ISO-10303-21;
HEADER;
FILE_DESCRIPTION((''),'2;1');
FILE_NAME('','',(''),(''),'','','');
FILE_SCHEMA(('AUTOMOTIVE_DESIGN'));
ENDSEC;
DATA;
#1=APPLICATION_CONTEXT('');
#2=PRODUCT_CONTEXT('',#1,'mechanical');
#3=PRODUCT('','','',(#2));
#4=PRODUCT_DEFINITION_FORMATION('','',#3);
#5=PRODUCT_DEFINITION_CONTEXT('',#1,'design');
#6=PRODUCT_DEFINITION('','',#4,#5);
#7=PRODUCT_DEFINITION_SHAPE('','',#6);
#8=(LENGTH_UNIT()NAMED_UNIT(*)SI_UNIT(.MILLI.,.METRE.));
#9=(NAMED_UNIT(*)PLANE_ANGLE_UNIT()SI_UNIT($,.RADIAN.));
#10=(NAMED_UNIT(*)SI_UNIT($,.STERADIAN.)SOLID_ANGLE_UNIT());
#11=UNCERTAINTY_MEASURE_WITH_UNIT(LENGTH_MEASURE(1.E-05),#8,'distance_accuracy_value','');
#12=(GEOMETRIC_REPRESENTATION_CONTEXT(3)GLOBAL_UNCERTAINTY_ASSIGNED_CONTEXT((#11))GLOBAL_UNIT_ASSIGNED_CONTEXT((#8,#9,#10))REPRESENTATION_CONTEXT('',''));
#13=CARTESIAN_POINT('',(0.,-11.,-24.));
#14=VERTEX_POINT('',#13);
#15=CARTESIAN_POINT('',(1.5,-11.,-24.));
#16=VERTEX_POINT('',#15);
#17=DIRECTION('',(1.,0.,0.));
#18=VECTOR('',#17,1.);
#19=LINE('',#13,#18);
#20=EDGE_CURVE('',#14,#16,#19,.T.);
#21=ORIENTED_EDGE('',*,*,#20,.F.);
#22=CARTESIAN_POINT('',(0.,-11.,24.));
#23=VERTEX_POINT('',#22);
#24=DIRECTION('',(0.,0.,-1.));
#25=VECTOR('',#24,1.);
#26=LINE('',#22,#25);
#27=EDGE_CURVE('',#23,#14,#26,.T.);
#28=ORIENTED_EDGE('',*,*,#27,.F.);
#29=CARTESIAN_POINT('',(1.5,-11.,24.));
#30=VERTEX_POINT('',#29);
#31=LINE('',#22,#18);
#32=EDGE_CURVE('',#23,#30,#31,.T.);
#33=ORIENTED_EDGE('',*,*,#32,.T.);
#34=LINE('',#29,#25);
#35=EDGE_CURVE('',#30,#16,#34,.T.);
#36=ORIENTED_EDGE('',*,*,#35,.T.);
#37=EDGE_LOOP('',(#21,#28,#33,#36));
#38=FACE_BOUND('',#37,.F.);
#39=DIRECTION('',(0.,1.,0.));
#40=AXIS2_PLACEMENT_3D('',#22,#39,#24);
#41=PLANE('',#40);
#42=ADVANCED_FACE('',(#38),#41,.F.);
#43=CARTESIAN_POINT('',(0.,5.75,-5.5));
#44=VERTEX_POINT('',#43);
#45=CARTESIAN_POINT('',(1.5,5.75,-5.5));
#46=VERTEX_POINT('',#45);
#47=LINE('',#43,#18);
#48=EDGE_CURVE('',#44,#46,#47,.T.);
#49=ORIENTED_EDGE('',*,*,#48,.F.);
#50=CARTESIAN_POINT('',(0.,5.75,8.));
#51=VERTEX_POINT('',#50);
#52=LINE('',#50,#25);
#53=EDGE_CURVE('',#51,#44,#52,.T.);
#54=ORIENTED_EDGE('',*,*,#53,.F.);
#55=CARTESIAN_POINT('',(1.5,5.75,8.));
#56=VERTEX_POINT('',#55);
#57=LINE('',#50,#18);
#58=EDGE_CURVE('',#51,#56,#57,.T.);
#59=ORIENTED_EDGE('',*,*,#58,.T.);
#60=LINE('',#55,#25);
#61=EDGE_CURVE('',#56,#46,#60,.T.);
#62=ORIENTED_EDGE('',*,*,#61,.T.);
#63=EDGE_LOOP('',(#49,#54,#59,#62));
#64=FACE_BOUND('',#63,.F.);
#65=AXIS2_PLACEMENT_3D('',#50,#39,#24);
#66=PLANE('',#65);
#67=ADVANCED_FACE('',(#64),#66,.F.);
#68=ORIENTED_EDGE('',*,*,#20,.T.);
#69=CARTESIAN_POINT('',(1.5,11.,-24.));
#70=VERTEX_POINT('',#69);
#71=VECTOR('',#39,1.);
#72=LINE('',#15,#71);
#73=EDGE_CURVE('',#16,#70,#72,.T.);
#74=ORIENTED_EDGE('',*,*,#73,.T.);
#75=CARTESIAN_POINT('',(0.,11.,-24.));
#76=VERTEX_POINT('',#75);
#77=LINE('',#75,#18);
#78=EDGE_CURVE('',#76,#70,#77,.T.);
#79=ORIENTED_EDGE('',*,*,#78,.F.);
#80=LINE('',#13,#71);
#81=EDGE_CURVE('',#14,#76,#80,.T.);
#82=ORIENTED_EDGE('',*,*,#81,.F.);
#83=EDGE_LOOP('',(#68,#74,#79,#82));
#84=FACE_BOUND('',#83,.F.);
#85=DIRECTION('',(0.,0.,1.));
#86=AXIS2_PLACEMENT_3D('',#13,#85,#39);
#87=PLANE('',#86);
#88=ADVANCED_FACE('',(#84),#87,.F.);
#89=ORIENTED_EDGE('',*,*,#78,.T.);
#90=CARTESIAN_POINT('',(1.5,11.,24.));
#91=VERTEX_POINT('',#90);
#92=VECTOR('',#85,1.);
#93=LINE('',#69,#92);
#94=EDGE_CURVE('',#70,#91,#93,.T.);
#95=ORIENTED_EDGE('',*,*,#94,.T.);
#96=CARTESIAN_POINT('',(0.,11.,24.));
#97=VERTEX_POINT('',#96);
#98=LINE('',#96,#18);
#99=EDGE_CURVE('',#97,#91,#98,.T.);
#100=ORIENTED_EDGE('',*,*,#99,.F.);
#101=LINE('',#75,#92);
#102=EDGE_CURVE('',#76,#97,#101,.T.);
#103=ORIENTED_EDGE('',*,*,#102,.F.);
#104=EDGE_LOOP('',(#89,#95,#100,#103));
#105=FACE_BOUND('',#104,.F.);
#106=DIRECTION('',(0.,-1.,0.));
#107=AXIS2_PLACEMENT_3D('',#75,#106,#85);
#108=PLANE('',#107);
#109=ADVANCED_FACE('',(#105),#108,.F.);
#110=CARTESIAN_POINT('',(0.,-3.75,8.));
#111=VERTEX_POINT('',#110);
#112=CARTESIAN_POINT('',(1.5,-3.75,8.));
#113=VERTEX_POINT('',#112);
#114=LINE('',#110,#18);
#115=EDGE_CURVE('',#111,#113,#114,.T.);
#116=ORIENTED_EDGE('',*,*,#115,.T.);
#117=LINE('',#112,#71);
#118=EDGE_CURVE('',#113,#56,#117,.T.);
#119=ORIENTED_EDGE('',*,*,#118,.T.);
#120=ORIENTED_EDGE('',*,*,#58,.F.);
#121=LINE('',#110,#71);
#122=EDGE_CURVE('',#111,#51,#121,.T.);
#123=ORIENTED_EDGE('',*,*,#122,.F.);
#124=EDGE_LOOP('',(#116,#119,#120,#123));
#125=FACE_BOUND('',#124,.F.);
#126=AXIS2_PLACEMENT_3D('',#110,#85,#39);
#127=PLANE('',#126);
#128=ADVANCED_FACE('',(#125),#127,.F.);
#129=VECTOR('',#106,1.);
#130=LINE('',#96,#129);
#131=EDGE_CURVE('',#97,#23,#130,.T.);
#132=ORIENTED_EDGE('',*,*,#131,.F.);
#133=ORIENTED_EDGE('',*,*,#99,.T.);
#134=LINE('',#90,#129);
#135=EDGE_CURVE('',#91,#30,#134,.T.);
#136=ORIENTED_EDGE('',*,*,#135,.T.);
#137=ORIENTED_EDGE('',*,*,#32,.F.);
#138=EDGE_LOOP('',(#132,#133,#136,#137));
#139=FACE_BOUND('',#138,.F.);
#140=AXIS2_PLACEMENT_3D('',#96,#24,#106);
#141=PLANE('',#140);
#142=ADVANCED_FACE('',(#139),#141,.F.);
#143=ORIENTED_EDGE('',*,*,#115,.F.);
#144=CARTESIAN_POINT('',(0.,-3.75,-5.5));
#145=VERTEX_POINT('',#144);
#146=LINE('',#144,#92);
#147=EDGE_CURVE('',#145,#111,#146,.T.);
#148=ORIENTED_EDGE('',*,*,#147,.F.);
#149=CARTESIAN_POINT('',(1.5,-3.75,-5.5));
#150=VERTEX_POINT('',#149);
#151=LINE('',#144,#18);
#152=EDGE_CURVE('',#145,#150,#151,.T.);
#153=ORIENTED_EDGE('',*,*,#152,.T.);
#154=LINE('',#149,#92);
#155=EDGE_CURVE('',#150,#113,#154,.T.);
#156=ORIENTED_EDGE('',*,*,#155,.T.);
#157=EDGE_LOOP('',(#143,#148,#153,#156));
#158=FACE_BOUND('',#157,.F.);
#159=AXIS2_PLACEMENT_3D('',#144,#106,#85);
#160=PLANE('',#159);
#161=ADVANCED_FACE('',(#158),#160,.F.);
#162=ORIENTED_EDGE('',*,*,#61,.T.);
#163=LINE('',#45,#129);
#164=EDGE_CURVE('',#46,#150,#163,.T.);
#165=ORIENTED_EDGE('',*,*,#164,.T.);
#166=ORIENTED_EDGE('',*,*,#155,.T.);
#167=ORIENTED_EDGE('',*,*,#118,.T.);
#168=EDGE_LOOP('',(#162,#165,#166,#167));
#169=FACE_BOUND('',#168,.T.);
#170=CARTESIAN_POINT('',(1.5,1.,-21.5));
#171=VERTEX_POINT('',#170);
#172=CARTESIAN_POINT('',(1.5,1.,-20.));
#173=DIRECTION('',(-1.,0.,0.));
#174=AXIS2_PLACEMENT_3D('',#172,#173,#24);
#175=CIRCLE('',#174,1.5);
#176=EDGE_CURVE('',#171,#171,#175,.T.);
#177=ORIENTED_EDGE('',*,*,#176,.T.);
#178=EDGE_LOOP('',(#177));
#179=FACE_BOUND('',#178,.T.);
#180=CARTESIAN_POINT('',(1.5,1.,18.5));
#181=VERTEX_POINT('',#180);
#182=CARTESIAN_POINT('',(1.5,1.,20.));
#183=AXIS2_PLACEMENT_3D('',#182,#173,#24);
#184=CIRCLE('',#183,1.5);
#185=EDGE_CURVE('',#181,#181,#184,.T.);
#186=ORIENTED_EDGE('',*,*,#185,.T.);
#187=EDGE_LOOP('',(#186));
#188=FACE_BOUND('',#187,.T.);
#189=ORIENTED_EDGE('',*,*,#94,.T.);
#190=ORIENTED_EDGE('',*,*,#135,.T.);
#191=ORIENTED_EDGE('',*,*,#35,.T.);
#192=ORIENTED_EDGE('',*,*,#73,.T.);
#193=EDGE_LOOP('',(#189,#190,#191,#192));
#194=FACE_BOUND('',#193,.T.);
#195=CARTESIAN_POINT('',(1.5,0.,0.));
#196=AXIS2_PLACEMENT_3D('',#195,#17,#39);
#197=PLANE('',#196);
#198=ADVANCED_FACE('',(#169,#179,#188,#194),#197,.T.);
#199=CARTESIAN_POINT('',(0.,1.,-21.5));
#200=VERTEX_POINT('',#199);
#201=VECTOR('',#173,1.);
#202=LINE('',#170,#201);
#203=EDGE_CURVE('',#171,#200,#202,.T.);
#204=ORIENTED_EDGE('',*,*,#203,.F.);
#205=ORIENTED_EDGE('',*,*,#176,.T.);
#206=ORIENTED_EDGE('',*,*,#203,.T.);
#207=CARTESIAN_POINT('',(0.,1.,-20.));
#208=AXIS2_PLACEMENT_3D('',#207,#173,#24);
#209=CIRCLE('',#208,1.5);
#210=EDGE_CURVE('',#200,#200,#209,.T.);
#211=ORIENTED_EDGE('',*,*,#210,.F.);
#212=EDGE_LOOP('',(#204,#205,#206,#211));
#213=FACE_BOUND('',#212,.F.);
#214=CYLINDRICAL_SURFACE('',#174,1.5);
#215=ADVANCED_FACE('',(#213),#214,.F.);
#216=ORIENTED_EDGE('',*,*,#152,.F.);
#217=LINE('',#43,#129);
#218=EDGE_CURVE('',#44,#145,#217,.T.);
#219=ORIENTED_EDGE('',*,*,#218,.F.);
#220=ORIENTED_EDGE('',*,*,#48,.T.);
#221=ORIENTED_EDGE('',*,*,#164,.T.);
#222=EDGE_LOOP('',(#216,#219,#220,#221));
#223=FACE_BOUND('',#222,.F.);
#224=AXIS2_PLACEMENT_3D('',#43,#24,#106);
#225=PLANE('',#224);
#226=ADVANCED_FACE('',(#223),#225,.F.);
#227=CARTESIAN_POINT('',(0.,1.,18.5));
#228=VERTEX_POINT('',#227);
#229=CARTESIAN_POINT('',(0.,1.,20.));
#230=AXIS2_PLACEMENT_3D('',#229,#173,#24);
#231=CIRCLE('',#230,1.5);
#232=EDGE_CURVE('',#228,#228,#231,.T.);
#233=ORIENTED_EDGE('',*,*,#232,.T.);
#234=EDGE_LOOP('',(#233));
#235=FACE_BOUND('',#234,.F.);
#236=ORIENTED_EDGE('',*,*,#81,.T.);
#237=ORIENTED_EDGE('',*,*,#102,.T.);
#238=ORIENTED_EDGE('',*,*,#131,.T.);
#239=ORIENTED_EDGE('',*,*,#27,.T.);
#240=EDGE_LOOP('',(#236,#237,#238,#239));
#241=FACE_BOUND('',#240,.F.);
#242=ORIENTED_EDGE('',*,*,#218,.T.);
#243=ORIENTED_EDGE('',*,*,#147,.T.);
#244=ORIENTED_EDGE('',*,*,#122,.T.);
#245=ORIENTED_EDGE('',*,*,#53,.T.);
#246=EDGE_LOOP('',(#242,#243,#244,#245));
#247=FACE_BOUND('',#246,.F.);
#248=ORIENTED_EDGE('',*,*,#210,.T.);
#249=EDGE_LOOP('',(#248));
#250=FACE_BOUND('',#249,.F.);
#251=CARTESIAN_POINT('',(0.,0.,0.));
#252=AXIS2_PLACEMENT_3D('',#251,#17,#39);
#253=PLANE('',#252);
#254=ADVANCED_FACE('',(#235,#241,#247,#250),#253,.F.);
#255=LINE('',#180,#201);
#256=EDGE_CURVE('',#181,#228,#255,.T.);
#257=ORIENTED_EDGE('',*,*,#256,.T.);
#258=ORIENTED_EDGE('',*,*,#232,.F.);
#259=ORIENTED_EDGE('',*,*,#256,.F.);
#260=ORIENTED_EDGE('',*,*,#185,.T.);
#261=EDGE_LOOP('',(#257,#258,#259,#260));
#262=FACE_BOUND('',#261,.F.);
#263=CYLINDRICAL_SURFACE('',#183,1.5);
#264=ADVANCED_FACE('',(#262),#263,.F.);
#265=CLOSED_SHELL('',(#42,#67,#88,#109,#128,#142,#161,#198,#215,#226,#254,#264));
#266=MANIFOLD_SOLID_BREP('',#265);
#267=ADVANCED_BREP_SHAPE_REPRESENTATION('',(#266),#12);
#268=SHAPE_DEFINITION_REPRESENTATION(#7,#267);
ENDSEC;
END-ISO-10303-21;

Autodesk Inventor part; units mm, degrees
ref_plane "YZ Plane" through (0, 0, 0) normal (1, 0, 0) x (0, 1, 0)
ref_plane "XZ Plane" through (0, 0, 0) normal (0, 1, 0) x (-1, 0, 0)
ref_plane "XY Plane" through (0, 0, 0) normal (0, 0, 1) x (1, 0, 0)
sketch "スケッチ1" plane through (0, 0, 0) normal (1, 0, 0) x (0, 1, 0)
  line L0 (-11, -24) -> (11, -24)
  line L1 (11, -24) -> (11, 24)
  line L2 (11, 24) -> (-11, 24)
  line L3 (-11, 24) -> (-11, -24)
  line L4 (-11, -24) -> (11, 24) construction
  line L5 (11, -24) -> (-11, 24) construction
  point P0 (0, 0)
  dimension "d0" = 22
  dimension "d1" = 48
extrude "押し出し1" add sketch "スケッチ1" along normal blind 1.5
sketch "スケッチ2" plane through (1.5, 0, 0) normal (1, 0, 0) x (0, 0, -1)
  line L0 (-24, 11) -> (-24, -11) projected
  line L1 (24, -11) -> (24, 11) projected
  line L2 (-24, -11) -> (24, -11) projected
  point P0 (0, 0)
  point P1 (-20, 1)
  point P2 (20, 1)
  dimension "d4" = 4
  dimension "d5" = 4
  dimension "d6" = 12
hole "穴1" at (1.5, 1, 20) at (1.5, 1, -20) direction (-1, 0, 0) diameter 3 end through all
sketch "スケッチ3" plane through (0, 0, 0) normal (-1, 0, 0) x (0, 0, 1)
  line L0 (-5.5, -3.75) -> (8, -3.75)
  line L1 (8, -3.75) -> (8, 5.75)
  line L2 (8, 5.75) -> (-5.5, 5.75)
  line L3 (-5.5, 5.75) -> (-5.5, -3.75)
  line L4 (24, -11) -> (-24, -11) projected
  line L5 (-24, -11) -> (-24, 11) projected
  point P0 (0, 0)
  dimension "d14" = 7.25
  dimension "d15" = 18.5
  dimension "d16" = 32
  dimension "d17" = 16.75
extrude "押し出し2" cut sketch "スケッチ3" against normal blind 1.5
properties part number "sensor_pcb" material "ガラス"
